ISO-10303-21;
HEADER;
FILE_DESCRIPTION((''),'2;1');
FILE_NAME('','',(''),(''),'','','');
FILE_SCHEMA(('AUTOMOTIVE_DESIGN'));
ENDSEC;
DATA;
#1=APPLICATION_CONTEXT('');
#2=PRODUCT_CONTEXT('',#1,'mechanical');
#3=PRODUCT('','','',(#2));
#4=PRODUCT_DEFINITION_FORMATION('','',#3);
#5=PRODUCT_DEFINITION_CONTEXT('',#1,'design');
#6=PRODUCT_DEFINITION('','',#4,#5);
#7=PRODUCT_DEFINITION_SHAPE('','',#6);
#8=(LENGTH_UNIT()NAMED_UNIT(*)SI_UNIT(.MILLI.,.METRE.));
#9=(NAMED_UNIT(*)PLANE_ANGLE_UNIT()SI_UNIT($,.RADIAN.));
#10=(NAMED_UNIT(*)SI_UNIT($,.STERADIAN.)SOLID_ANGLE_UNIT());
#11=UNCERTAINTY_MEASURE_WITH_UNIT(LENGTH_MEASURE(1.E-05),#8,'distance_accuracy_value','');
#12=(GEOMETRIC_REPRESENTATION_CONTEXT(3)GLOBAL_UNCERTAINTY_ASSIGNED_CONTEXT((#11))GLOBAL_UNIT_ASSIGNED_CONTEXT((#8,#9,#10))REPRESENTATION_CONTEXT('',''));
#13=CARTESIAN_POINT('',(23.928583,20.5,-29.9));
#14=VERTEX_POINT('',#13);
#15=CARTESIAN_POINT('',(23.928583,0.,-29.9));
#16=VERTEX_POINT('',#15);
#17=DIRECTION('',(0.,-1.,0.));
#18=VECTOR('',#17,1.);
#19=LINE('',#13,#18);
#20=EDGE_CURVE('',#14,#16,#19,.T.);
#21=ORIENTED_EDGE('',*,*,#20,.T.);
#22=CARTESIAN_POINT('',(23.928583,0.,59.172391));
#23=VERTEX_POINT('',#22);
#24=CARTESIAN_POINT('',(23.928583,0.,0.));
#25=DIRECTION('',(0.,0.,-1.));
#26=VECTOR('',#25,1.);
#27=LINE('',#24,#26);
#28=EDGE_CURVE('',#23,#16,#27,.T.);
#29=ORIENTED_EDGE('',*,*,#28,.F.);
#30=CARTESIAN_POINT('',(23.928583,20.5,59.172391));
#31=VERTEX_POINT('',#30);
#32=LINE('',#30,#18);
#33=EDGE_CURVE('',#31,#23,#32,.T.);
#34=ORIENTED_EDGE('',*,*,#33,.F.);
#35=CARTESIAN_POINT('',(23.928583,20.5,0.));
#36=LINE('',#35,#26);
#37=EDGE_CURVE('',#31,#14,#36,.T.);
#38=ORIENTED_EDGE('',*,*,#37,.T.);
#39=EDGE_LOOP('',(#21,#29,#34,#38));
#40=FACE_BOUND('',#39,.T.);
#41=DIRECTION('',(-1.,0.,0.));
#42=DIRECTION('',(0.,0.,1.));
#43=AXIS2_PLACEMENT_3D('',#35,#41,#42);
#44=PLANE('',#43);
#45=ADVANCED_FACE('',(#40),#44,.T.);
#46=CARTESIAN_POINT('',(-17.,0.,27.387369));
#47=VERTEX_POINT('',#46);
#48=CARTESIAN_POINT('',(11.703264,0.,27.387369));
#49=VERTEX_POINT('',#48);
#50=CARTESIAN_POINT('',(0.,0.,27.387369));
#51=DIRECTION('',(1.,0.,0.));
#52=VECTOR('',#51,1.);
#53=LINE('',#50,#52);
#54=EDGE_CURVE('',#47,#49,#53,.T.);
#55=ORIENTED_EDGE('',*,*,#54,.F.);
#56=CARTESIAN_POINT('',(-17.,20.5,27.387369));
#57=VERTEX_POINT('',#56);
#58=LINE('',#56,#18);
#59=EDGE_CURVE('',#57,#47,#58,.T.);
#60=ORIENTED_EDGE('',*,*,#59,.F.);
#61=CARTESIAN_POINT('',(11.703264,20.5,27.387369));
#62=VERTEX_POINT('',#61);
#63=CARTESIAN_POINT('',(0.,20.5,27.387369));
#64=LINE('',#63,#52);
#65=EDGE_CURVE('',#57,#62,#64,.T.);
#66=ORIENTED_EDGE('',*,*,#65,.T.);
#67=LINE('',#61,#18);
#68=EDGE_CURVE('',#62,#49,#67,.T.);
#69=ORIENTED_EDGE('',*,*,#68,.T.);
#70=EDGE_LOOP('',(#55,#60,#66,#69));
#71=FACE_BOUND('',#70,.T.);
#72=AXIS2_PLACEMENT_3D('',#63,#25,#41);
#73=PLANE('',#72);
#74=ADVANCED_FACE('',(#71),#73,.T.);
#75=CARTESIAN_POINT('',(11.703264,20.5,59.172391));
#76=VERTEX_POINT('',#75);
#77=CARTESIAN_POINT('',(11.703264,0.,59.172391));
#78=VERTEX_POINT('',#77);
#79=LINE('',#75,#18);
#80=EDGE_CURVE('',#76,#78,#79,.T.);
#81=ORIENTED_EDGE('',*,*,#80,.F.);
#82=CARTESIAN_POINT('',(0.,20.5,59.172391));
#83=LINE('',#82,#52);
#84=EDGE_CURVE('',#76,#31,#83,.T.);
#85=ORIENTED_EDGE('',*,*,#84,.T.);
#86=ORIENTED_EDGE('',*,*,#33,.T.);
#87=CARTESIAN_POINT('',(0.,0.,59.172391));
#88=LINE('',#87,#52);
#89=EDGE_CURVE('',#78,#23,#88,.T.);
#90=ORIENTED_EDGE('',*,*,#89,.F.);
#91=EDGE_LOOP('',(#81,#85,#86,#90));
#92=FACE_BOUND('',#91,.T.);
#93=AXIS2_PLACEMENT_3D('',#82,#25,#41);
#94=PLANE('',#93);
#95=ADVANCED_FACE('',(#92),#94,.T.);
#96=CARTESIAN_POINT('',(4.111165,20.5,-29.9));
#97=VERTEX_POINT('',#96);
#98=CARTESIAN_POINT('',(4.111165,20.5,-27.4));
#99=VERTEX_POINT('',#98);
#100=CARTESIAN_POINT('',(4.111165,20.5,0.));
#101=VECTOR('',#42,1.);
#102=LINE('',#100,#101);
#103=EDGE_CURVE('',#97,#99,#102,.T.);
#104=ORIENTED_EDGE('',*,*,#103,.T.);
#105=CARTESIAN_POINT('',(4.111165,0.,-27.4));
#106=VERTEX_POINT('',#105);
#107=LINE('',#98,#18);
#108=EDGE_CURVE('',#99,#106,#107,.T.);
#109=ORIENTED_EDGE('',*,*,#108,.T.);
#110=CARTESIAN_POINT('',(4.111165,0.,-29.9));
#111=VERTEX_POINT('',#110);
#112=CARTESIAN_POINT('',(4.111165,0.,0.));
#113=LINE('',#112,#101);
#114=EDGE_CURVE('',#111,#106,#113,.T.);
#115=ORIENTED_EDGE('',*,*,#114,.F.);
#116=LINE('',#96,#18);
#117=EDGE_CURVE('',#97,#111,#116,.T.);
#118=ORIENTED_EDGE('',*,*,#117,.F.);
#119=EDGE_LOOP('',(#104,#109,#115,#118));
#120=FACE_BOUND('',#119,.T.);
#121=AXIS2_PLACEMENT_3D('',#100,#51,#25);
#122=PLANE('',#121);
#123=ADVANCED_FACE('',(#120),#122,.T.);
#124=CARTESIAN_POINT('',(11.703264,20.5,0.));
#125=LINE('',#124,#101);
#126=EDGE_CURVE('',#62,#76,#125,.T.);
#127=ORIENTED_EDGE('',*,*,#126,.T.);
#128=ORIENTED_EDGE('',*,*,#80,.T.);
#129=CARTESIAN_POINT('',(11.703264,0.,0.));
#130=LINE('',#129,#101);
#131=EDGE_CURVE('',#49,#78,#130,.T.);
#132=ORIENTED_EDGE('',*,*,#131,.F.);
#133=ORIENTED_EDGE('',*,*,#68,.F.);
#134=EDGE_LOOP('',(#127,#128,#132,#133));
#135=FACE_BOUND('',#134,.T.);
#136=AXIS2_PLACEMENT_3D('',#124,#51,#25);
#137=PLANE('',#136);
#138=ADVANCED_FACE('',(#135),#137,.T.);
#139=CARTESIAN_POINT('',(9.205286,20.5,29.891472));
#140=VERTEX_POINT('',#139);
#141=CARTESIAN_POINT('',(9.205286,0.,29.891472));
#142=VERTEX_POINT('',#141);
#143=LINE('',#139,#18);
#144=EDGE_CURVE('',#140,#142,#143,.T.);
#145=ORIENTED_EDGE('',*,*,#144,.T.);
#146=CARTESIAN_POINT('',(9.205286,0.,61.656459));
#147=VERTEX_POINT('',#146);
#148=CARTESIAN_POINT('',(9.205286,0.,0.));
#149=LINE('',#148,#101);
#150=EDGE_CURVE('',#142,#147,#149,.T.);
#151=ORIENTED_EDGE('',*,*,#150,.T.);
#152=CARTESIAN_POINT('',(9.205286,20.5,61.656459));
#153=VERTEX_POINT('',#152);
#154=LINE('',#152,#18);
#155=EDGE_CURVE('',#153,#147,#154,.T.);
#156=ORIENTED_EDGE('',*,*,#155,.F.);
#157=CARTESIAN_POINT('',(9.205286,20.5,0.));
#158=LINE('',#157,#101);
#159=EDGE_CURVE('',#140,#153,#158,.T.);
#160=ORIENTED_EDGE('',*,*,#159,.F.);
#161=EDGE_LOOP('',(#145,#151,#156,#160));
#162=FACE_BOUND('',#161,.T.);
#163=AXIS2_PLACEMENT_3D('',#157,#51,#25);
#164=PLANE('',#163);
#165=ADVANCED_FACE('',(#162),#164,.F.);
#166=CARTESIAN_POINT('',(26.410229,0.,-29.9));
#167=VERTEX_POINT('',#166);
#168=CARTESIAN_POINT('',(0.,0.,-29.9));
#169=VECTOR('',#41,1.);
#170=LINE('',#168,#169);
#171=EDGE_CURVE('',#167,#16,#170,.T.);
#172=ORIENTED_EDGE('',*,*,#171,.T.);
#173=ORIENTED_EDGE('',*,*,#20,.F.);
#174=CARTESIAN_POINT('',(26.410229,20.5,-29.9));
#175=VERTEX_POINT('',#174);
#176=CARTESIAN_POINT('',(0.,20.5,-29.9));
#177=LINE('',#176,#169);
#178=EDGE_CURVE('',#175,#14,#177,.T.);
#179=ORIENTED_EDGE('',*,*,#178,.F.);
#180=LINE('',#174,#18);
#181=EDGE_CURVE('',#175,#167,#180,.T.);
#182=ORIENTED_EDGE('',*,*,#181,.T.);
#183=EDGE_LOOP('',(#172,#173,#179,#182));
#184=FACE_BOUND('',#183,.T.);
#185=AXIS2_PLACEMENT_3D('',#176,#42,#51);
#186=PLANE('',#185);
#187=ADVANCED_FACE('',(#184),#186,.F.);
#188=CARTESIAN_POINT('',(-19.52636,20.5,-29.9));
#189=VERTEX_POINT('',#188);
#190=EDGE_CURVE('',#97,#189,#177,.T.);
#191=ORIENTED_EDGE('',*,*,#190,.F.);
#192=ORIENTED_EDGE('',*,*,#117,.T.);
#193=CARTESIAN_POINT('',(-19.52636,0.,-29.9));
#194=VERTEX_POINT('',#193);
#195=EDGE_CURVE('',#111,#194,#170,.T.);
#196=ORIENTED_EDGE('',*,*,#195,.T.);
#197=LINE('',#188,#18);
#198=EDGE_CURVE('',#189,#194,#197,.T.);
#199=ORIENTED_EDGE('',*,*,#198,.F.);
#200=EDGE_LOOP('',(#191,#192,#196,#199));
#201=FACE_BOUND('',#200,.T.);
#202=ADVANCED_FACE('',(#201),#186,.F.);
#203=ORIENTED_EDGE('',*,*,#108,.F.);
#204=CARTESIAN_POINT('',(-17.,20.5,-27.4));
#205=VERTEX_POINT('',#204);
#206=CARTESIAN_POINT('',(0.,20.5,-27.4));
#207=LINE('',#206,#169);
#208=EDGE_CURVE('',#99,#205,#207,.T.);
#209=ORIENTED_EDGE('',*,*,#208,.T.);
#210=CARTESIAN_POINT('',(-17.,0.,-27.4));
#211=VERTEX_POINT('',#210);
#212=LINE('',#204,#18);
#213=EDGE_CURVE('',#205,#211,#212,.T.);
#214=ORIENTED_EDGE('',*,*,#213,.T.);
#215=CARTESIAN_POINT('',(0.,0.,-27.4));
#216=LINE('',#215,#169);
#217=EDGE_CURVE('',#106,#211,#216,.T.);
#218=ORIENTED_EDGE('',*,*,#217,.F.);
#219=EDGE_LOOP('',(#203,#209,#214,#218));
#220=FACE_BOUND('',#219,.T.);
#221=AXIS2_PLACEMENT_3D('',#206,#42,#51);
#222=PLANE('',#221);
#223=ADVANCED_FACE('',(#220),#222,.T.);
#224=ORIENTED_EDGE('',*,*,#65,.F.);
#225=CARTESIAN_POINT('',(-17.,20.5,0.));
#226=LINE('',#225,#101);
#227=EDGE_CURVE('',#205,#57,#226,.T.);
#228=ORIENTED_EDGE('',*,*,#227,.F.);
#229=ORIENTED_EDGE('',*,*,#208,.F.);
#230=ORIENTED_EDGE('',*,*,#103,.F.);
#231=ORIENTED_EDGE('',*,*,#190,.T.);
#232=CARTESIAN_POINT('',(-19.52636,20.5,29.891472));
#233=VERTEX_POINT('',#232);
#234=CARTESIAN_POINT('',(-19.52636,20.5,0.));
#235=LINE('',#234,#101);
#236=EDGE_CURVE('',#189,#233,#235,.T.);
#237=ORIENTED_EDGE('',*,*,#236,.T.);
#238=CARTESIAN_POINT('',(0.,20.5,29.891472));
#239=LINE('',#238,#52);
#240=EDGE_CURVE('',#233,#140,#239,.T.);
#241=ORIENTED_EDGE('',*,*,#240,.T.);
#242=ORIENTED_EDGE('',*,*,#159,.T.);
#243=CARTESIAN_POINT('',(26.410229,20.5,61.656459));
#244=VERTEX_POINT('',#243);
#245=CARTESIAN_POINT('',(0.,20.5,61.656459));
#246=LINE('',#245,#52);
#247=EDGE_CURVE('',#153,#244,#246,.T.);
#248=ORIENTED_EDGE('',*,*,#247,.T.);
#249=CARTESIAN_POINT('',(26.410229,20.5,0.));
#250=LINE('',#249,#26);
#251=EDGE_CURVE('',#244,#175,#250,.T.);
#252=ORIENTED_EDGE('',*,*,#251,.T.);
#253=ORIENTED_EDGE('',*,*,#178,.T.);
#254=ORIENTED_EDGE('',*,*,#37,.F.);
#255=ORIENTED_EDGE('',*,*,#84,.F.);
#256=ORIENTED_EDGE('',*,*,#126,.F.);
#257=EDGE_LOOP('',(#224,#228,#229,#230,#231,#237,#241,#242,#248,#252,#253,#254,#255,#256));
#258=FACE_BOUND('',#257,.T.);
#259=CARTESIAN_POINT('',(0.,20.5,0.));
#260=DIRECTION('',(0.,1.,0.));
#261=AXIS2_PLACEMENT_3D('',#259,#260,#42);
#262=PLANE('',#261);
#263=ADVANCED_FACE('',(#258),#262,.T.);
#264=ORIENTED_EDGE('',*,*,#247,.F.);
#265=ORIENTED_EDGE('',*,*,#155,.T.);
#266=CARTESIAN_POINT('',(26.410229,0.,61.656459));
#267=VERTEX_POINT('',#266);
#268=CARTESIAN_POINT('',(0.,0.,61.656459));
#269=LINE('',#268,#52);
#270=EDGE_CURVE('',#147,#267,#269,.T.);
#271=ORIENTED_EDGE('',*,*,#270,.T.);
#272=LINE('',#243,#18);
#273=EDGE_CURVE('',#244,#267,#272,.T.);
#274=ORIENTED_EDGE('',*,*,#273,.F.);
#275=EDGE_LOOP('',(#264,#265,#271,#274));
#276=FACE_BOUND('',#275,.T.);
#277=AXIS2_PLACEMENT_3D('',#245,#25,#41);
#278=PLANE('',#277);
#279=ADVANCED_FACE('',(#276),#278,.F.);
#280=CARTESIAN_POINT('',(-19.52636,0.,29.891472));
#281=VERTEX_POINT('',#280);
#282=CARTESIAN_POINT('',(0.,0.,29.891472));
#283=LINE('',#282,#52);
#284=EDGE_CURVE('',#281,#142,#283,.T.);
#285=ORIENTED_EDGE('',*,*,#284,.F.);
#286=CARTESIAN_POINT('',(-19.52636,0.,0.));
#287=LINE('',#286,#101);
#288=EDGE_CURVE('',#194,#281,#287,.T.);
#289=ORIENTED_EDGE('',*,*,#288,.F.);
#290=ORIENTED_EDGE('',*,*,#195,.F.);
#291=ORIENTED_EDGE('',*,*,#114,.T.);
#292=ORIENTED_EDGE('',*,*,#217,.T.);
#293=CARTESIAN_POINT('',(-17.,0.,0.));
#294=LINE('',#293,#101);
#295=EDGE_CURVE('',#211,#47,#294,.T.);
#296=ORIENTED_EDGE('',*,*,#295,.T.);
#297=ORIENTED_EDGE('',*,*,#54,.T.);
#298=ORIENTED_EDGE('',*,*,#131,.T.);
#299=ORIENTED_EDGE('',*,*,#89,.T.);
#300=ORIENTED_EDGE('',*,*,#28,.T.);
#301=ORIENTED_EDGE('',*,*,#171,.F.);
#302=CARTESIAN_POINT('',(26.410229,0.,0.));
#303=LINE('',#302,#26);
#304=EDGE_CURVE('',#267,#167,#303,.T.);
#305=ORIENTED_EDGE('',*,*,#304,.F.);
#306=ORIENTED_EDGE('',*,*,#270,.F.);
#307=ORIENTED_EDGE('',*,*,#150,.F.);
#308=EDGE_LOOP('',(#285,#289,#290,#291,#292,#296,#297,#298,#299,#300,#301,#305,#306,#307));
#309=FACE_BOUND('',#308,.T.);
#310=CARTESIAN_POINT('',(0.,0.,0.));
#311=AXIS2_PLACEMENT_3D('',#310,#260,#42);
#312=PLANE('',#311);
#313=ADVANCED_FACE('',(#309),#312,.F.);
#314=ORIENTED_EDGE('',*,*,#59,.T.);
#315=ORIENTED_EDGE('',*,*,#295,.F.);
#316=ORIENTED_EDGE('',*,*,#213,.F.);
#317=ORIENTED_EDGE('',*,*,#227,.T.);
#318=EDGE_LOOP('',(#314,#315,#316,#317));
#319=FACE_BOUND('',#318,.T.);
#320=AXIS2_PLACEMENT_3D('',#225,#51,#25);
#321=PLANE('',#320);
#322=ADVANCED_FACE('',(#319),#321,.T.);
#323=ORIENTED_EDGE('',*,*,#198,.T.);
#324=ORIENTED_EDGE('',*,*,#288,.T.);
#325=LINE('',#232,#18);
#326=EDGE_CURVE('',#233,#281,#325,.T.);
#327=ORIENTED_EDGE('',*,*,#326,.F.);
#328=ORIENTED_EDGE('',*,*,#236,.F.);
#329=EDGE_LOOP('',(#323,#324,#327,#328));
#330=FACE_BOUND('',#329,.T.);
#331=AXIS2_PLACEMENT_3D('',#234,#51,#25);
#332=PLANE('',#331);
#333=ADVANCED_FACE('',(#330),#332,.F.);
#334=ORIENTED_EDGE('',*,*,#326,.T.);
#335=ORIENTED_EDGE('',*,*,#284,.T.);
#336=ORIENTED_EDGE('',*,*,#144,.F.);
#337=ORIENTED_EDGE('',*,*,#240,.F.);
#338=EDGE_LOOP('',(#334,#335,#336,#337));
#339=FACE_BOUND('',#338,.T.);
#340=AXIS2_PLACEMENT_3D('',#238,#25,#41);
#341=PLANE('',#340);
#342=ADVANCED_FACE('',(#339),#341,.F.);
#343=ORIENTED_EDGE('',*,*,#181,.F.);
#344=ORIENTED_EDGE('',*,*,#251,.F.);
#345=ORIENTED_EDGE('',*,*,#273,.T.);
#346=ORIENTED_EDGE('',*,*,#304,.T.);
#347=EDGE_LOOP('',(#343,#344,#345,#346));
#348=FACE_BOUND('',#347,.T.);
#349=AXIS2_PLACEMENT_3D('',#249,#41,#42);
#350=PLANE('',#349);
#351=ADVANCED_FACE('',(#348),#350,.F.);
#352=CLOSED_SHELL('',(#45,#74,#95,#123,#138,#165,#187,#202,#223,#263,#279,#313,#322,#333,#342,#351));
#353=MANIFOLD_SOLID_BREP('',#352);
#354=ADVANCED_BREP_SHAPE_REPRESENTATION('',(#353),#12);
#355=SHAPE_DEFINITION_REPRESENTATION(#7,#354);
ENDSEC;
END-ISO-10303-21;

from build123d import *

# Parameters (mm, degrees)
BOSS_EXTRUDE1_DEPTH = 20.5


with BuildPart() as part:
    # Sketch1 → Boss-Extrude1 (new body)
    with BuildSketch(Plane(origin=(0, 0, 0), x_dir=(1, 0, 0), z_dir=(0, 1, 0))):
        Polygon((-17, 27.4), (-6.25, 27.4), (4.111165018, 27.4), (4.111165018, 29.9), (-6.25, 29.9), (-17.02688972, 29.9), (-19.526359915, 29.9), (-19.526359915, -27.387369428), (-19.526359915, -29.89147158), (9.205285723, -29.89147158), (9.205285723, -59.17239088), (9.205285723, -61.656459446), (23.92858304, -61.656459446), (26.410229248, -61.656459446), (26.410229248, 29.9), (23.92858304, 29.9), (23.92858304, 27.4), (23.92858304, -59.17239088), (11.703264231, -59.17239088), (11.703264231, -27.387369428), (-17, -27.387369428), (-17, 27.111876572), align=None)
    extrude(amount=BOSS_EXTRUDE1_DEPTH)


solid = part.part
